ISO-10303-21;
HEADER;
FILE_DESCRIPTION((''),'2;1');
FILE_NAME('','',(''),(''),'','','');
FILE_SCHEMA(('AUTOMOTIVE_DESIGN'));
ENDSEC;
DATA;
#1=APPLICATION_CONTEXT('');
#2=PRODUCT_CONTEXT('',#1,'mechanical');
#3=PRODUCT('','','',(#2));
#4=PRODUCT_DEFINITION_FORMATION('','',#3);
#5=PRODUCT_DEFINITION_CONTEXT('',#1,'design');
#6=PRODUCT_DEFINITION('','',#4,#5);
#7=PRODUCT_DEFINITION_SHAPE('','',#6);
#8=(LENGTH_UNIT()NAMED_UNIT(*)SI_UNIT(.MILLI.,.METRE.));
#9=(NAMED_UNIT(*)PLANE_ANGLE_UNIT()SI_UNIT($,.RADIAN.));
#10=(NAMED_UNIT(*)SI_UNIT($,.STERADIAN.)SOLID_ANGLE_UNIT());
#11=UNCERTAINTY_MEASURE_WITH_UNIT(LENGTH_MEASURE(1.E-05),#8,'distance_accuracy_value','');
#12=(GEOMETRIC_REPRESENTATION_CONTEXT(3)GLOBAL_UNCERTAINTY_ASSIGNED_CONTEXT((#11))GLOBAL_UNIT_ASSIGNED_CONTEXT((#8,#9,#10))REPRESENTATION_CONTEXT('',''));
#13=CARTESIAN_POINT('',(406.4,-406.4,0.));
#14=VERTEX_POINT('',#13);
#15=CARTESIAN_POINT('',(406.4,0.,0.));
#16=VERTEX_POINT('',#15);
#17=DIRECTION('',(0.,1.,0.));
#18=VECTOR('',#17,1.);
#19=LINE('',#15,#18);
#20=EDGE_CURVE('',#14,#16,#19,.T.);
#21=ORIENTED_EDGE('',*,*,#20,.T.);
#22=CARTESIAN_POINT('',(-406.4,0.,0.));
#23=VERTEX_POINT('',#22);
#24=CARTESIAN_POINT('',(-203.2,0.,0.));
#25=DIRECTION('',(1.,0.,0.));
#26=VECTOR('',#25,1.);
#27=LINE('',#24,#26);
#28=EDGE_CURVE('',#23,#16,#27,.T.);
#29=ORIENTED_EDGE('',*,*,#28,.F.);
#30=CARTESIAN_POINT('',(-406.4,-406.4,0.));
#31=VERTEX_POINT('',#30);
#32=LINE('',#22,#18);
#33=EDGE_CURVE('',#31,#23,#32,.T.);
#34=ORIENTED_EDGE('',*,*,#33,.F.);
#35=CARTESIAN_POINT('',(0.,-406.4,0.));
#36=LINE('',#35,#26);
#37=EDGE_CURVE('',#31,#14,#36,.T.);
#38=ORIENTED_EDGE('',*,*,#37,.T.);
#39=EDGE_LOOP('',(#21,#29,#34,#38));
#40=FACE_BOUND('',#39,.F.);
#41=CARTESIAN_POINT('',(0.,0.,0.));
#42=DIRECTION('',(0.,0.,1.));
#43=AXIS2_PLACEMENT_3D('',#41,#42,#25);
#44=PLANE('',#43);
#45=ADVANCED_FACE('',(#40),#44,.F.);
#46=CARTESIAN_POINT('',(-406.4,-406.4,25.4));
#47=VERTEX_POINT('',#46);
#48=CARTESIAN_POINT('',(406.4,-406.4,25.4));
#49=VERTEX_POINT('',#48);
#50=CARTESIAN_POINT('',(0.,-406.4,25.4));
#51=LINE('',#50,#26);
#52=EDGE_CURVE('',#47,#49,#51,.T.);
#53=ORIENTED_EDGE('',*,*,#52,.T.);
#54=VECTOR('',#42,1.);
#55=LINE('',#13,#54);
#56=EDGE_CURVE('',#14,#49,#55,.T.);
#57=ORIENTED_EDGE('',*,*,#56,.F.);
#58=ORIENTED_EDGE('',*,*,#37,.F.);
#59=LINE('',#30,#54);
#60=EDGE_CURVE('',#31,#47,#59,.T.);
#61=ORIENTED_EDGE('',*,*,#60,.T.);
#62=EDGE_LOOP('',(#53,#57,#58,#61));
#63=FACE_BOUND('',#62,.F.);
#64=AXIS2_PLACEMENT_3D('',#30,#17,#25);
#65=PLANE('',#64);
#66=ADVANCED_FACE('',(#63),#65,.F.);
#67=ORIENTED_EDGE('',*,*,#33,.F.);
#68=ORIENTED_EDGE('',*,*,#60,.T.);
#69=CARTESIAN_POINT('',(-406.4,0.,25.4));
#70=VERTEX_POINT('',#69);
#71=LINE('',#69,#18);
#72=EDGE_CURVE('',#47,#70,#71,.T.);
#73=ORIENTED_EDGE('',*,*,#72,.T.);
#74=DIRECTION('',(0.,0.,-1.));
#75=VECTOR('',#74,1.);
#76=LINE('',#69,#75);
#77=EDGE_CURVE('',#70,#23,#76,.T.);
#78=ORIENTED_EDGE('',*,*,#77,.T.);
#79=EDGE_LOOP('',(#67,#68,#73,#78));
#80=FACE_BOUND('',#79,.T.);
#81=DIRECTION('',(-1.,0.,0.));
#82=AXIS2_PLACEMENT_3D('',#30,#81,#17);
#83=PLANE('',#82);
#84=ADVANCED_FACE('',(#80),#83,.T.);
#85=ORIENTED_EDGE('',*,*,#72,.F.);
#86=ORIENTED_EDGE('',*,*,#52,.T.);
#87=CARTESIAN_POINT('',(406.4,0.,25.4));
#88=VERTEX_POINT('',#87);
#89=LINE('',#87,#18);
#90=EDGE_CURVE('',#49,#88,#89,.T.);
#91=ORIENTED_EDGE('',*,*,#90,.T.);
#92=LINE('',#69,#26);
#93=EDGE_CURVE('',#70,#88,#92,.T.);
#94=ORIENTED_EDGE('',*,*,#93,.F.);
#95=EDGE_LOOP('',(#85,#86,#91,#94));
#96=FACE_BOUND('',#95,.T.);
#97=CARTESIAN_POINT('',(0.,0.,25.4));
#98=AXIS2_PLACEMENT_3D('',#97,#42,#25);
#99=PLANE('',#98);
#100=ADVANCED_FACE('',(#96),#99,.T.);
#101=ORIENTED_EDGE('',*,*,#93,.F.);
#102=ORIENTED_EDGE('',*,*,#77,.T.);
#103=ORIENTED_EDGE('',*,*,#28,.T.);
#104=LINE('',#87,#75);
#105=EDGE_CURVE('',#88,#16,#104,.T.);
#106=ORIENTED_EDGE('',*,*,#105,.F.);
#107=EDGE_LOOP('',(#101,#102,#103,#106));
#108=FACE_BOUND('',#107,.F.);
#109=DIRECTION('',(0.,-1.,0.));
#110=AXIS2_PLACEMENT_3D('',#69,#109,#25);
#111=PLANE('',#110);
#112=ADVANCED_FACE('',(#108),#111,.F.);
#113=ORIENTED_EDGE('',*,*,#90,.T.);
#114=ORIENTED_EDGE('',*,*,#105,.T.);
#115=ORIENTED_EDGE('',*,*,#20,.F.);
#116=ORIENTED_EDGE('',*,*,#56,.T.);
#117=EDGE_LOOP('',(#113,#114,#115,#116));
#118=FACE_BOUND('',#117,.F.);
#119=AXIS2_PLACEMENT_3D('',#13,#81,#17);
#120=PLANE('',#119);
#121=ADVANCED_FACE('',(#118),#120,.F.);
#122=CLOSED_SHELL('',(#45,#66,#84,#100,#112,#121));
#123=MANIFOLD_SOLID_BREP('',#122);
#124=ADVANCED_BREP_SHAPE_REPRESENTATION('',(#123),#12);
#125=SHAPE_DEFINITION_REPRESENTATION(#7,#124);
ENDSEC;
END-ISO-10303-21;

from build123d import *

# Parameters (mm, degrees)
F0_W     = 812.8
F0_H     = 812.8
F1_DEPTH = 25.4
F3_DEPTH = 25.401


with BuildPart() as f1:
    # F0 (on Top) → F1 (new body)
    with BuildSketch(Plane.XY):
        Rectangle(F0_W, F0_H)
    extrude(amount=F1_DEPTH)

    # F2 (on face) → F3 (cut, through all)
    with BuildSketch(Plane.XY.offset(25.4)):
        Polygon((406.4, 401.909872), (406.4, 406.4), (-406.4, 406.4), (-406.4, 0), (406.4, 0), align=None)
    extrude(amount=-F3_DEPTH, mode=Mode.SUBTRACT)


solid = f1.part
